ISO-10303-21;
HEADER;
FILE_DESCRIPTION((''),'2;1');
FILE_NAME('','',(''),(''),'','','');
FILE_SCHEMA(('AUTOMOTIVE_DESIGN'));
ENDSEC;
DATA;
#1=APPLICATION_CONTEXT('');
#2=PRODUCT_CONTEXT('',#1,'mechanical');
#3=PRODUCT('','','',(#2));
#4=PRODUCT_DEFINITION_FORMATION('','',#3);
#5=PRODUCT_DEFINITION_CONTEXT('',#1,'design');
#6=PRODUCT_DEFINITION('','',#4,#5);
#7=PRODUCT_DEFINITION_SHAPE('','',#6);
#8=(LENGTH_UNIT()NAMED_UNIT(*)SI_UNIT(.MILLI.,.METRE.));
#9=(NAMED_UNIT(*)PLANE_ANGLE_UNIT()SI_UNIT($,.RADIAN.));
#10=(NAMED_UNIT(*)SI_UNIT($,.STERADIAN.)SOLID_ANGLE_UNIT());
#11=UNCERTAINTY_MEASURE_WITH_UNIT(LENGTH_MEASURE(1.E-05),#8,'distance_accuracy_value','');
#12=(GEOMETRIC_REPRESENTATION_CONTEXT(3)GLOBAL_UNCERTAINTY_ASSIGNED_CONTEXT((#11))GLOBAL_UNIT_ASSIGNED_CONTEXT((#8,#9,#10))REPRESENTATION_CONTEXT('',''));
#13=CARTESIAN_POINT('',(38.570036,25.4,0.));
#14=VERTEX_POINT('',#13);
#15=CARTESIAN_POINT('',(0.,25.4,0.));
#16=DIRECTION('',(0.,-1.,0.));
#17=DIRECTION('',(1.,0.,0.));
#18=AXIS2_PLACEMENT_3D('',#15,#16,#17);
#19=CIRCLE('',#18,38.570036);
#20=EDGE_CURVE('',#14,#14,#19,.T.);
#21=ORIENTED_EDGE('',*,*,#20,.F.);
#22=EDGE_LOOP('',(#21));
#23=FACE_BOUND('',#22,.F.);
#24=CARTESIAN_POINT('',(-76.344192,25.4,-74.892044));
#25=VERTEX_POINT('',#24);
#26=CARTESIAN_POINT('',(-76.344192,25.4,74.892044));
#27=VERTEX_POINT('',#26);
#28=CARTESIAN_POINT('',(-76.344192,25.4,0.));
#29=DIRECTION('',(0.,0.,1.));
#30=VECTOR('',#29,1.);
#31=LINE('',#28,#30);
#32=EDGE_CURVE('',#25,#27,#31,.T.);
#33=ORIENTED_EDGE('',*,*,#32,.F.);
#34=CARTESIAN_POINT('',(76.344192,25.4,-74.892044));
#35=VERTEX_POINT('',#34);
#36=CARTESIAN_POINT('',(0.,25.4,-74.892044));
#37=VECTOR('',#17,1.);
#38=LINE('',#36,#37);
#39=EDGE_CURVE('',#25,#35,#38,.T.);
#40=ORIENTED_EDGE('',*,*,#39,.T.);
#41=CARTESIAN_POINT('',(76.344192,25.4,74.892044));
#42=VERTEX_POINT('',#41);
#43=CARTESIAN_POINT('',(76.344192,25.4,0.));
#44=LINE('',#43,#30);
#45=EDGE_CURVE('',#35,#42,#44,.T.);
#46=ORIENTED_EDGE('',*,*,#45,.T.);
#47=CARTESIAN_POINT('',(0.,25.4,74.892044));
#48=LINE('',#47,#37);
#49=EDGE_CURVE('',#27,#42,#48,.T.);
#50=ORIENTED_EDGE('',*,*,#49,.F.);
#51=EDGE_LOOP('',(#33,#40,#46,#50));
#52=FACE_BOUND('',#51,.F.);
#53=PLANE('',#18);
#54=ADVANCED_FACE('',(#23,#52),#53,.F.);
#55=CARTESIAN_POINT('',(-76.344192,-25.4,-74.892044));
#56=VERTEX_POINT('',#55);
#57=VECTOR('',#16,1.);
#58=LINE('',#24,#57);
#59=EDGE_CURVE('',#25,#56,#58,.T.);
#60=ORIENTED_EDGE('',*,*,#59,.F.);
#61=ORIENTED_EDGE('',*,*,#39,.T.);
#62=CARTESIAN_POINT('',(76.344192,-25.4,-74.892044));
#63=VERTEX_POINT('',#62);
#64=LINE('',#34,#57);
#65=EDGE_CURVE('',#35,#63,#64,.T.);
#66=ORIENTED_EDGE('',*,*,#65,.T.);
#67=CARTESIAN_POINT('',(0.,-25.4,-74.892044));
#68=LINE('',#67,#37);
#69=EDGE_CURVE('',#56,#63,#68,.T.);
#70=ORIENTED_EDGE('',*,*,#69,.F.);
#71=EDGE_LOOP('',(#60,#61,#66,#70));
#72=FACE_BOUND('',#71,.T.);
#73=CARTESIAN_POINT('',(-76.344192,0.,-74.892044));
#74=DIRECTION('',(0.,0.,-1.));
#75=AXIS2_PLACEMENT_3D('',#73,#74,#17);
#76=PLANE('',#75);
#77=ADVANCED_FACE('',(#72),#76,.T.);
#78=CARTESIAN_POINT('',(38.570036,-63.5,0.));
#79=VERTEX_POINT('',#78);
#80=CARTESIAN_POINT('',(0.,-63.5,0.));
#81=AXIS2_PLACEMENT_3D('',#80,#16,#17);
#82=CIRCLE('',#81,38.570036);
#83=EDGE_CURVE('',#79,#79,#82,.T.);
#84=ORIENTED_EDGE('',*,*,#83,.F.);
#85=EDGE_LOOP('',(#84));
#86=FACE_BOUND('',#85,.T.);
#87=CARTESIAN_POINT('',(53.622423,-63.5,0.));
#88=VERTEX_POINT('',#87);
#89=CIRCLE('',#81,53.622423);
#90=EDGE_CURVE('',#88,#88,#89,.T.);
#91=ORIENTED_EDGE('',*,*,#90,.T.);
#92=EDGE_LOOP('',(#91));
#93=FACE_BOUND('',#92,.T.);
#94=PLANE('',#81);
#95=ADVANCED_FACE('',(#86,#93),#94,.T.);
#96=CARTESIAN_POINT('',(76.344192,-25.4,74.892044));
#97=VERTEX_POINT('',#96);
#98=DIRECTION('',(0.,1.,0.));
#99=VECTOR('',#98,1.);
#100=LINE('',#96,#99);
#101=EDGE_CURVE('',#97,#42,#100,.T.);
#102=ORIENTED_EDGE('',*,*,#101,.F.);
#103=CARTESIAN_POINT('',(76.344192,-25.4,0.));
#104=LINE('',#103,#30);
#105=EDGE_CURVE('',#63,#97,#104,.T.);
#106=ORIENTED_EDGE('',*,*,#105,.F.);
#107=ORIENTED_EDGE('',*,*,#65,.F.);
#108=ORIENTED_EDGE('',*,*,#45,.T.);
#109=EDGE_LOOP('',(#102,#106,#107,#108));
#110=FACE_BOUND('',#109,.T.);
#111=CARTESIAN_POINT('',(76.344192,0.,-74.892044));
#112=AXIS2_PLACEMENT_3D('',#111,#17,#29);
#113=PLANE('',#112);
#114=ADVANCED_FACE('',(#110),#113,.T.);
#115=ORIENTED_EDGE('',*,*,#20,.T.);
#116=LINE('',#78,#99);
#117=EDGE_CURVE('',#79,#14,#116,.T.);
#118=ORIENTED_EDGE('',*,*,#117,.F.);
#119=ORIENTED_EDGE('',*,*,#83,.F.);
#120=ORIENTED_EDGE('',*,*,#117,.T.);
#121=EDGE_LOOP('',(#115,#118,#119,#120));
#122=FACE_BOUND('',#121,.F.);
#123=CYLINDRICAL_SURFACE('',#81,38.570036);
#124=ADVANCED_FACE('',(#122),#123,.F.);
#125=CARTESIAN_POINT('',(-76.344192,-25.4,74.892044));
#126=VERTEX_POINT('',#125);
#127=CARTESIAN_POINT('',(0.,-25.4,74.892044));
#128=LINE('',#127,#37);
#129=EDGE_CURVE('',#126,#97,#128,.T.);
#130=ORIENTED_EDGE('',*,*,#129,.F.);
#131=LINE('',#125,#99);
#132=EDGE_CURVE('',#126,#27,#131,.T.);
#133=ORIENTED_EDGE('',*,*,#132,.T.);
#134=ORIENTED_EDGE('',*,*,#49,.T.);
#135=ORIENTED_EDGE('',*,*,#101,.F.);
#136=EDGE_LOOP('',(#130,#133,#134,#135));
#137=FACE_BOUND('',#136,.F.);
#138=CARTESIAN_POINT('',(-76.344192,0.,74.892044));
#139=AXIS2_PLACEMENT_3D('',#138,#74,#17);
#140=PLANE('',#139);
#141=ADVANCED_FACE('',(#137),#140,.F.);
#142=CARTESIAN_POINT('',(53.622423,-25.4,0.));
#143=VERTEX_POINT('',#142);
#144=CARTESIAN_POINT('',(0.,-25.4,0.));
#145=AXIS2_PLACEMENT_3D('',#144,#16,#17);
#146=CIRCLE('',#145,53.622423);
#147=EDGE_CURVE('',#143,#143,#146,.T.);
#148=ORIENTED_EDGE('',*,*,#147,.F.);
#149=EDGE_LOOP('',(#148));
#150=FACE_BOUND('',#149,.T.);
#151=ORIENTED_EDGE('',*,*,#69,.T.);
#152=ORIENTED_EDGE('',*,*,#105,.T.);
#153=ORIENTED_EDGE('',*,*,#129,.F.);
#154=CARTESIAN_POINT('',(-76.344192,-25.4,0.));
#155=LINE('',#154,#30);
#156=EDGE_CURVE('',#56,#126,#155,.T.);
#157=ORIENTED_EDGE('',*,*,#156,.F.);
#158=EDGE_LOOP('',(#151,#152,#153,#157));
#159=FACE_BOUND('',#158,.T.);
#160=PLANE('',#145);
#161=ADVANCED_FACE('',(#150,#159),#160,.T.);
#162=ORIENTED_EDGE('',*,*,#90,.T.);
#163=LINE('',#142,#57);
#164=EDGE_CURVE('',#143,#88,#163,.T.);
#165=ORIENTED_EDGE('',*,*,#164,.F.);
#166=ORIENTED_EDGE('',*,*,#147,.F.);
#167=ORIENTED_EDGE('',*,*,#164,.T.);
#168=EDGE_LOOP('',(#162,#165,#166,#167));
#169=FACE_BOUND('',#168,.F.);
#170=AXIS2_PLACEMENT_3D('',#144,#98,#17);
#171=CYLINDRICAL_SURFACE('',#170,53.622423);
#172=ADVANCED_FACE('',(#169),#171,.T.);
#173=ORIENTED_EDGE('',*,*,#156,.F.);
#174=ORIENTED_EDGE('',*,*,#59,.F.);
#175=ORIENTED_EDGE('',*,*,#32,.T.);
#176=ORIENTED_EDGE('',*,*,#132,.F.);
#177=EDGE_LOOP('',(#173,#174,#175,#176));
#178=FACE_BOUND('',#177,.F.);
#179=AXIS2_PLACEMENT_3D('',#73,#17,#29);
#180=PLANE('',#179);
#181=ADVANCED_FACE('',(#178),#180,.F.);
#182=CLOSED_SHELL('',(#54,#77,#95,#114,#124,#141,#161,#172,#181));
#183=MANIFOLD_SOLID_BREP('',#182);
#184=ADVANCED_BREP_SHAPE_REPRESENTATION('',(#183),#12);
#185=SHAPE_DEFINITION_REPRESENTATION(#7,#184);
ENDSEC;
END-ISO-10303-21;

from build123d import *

# Parameters (mm, degrees)
F0_W          = 152.688384
F0_H          = 149.784088
F1_DEPTH      = 25.4
F1_DEPTH_BACK = 25.4
F2_R          = 53.622423
F3_DEPTH      = 38.1
F4_R          = 38.570036
F5_DEPTH      = 127


with BuildPart() as f1:
    # F0 (on Front) → F1 (new body, two sides)
    with BuildSketch(Plane.XZ) as f1_sk:
        Rectangle(F0_W, F0_H)
    extrude(amount=F1_DEPTH)
    extrude(f1_sk.sketch, amount=-F1_DEPTH_BACK)

    # F2 (on face) → F3 (join)
    with BuildSketch(Plane.XZ.offset(25.4)):
        Circle(F2_R)
    extrude(amount=F3_DEPTH)

    # F4 (on face) → F5 (cut)
    with BuildSketch(Plane.XZ.offset(63.5)):
        Circle(F4_R)
    extrude(amount=-F5_DEPTH, mode=Mode.SUBTRACT)


solid = f1.part
